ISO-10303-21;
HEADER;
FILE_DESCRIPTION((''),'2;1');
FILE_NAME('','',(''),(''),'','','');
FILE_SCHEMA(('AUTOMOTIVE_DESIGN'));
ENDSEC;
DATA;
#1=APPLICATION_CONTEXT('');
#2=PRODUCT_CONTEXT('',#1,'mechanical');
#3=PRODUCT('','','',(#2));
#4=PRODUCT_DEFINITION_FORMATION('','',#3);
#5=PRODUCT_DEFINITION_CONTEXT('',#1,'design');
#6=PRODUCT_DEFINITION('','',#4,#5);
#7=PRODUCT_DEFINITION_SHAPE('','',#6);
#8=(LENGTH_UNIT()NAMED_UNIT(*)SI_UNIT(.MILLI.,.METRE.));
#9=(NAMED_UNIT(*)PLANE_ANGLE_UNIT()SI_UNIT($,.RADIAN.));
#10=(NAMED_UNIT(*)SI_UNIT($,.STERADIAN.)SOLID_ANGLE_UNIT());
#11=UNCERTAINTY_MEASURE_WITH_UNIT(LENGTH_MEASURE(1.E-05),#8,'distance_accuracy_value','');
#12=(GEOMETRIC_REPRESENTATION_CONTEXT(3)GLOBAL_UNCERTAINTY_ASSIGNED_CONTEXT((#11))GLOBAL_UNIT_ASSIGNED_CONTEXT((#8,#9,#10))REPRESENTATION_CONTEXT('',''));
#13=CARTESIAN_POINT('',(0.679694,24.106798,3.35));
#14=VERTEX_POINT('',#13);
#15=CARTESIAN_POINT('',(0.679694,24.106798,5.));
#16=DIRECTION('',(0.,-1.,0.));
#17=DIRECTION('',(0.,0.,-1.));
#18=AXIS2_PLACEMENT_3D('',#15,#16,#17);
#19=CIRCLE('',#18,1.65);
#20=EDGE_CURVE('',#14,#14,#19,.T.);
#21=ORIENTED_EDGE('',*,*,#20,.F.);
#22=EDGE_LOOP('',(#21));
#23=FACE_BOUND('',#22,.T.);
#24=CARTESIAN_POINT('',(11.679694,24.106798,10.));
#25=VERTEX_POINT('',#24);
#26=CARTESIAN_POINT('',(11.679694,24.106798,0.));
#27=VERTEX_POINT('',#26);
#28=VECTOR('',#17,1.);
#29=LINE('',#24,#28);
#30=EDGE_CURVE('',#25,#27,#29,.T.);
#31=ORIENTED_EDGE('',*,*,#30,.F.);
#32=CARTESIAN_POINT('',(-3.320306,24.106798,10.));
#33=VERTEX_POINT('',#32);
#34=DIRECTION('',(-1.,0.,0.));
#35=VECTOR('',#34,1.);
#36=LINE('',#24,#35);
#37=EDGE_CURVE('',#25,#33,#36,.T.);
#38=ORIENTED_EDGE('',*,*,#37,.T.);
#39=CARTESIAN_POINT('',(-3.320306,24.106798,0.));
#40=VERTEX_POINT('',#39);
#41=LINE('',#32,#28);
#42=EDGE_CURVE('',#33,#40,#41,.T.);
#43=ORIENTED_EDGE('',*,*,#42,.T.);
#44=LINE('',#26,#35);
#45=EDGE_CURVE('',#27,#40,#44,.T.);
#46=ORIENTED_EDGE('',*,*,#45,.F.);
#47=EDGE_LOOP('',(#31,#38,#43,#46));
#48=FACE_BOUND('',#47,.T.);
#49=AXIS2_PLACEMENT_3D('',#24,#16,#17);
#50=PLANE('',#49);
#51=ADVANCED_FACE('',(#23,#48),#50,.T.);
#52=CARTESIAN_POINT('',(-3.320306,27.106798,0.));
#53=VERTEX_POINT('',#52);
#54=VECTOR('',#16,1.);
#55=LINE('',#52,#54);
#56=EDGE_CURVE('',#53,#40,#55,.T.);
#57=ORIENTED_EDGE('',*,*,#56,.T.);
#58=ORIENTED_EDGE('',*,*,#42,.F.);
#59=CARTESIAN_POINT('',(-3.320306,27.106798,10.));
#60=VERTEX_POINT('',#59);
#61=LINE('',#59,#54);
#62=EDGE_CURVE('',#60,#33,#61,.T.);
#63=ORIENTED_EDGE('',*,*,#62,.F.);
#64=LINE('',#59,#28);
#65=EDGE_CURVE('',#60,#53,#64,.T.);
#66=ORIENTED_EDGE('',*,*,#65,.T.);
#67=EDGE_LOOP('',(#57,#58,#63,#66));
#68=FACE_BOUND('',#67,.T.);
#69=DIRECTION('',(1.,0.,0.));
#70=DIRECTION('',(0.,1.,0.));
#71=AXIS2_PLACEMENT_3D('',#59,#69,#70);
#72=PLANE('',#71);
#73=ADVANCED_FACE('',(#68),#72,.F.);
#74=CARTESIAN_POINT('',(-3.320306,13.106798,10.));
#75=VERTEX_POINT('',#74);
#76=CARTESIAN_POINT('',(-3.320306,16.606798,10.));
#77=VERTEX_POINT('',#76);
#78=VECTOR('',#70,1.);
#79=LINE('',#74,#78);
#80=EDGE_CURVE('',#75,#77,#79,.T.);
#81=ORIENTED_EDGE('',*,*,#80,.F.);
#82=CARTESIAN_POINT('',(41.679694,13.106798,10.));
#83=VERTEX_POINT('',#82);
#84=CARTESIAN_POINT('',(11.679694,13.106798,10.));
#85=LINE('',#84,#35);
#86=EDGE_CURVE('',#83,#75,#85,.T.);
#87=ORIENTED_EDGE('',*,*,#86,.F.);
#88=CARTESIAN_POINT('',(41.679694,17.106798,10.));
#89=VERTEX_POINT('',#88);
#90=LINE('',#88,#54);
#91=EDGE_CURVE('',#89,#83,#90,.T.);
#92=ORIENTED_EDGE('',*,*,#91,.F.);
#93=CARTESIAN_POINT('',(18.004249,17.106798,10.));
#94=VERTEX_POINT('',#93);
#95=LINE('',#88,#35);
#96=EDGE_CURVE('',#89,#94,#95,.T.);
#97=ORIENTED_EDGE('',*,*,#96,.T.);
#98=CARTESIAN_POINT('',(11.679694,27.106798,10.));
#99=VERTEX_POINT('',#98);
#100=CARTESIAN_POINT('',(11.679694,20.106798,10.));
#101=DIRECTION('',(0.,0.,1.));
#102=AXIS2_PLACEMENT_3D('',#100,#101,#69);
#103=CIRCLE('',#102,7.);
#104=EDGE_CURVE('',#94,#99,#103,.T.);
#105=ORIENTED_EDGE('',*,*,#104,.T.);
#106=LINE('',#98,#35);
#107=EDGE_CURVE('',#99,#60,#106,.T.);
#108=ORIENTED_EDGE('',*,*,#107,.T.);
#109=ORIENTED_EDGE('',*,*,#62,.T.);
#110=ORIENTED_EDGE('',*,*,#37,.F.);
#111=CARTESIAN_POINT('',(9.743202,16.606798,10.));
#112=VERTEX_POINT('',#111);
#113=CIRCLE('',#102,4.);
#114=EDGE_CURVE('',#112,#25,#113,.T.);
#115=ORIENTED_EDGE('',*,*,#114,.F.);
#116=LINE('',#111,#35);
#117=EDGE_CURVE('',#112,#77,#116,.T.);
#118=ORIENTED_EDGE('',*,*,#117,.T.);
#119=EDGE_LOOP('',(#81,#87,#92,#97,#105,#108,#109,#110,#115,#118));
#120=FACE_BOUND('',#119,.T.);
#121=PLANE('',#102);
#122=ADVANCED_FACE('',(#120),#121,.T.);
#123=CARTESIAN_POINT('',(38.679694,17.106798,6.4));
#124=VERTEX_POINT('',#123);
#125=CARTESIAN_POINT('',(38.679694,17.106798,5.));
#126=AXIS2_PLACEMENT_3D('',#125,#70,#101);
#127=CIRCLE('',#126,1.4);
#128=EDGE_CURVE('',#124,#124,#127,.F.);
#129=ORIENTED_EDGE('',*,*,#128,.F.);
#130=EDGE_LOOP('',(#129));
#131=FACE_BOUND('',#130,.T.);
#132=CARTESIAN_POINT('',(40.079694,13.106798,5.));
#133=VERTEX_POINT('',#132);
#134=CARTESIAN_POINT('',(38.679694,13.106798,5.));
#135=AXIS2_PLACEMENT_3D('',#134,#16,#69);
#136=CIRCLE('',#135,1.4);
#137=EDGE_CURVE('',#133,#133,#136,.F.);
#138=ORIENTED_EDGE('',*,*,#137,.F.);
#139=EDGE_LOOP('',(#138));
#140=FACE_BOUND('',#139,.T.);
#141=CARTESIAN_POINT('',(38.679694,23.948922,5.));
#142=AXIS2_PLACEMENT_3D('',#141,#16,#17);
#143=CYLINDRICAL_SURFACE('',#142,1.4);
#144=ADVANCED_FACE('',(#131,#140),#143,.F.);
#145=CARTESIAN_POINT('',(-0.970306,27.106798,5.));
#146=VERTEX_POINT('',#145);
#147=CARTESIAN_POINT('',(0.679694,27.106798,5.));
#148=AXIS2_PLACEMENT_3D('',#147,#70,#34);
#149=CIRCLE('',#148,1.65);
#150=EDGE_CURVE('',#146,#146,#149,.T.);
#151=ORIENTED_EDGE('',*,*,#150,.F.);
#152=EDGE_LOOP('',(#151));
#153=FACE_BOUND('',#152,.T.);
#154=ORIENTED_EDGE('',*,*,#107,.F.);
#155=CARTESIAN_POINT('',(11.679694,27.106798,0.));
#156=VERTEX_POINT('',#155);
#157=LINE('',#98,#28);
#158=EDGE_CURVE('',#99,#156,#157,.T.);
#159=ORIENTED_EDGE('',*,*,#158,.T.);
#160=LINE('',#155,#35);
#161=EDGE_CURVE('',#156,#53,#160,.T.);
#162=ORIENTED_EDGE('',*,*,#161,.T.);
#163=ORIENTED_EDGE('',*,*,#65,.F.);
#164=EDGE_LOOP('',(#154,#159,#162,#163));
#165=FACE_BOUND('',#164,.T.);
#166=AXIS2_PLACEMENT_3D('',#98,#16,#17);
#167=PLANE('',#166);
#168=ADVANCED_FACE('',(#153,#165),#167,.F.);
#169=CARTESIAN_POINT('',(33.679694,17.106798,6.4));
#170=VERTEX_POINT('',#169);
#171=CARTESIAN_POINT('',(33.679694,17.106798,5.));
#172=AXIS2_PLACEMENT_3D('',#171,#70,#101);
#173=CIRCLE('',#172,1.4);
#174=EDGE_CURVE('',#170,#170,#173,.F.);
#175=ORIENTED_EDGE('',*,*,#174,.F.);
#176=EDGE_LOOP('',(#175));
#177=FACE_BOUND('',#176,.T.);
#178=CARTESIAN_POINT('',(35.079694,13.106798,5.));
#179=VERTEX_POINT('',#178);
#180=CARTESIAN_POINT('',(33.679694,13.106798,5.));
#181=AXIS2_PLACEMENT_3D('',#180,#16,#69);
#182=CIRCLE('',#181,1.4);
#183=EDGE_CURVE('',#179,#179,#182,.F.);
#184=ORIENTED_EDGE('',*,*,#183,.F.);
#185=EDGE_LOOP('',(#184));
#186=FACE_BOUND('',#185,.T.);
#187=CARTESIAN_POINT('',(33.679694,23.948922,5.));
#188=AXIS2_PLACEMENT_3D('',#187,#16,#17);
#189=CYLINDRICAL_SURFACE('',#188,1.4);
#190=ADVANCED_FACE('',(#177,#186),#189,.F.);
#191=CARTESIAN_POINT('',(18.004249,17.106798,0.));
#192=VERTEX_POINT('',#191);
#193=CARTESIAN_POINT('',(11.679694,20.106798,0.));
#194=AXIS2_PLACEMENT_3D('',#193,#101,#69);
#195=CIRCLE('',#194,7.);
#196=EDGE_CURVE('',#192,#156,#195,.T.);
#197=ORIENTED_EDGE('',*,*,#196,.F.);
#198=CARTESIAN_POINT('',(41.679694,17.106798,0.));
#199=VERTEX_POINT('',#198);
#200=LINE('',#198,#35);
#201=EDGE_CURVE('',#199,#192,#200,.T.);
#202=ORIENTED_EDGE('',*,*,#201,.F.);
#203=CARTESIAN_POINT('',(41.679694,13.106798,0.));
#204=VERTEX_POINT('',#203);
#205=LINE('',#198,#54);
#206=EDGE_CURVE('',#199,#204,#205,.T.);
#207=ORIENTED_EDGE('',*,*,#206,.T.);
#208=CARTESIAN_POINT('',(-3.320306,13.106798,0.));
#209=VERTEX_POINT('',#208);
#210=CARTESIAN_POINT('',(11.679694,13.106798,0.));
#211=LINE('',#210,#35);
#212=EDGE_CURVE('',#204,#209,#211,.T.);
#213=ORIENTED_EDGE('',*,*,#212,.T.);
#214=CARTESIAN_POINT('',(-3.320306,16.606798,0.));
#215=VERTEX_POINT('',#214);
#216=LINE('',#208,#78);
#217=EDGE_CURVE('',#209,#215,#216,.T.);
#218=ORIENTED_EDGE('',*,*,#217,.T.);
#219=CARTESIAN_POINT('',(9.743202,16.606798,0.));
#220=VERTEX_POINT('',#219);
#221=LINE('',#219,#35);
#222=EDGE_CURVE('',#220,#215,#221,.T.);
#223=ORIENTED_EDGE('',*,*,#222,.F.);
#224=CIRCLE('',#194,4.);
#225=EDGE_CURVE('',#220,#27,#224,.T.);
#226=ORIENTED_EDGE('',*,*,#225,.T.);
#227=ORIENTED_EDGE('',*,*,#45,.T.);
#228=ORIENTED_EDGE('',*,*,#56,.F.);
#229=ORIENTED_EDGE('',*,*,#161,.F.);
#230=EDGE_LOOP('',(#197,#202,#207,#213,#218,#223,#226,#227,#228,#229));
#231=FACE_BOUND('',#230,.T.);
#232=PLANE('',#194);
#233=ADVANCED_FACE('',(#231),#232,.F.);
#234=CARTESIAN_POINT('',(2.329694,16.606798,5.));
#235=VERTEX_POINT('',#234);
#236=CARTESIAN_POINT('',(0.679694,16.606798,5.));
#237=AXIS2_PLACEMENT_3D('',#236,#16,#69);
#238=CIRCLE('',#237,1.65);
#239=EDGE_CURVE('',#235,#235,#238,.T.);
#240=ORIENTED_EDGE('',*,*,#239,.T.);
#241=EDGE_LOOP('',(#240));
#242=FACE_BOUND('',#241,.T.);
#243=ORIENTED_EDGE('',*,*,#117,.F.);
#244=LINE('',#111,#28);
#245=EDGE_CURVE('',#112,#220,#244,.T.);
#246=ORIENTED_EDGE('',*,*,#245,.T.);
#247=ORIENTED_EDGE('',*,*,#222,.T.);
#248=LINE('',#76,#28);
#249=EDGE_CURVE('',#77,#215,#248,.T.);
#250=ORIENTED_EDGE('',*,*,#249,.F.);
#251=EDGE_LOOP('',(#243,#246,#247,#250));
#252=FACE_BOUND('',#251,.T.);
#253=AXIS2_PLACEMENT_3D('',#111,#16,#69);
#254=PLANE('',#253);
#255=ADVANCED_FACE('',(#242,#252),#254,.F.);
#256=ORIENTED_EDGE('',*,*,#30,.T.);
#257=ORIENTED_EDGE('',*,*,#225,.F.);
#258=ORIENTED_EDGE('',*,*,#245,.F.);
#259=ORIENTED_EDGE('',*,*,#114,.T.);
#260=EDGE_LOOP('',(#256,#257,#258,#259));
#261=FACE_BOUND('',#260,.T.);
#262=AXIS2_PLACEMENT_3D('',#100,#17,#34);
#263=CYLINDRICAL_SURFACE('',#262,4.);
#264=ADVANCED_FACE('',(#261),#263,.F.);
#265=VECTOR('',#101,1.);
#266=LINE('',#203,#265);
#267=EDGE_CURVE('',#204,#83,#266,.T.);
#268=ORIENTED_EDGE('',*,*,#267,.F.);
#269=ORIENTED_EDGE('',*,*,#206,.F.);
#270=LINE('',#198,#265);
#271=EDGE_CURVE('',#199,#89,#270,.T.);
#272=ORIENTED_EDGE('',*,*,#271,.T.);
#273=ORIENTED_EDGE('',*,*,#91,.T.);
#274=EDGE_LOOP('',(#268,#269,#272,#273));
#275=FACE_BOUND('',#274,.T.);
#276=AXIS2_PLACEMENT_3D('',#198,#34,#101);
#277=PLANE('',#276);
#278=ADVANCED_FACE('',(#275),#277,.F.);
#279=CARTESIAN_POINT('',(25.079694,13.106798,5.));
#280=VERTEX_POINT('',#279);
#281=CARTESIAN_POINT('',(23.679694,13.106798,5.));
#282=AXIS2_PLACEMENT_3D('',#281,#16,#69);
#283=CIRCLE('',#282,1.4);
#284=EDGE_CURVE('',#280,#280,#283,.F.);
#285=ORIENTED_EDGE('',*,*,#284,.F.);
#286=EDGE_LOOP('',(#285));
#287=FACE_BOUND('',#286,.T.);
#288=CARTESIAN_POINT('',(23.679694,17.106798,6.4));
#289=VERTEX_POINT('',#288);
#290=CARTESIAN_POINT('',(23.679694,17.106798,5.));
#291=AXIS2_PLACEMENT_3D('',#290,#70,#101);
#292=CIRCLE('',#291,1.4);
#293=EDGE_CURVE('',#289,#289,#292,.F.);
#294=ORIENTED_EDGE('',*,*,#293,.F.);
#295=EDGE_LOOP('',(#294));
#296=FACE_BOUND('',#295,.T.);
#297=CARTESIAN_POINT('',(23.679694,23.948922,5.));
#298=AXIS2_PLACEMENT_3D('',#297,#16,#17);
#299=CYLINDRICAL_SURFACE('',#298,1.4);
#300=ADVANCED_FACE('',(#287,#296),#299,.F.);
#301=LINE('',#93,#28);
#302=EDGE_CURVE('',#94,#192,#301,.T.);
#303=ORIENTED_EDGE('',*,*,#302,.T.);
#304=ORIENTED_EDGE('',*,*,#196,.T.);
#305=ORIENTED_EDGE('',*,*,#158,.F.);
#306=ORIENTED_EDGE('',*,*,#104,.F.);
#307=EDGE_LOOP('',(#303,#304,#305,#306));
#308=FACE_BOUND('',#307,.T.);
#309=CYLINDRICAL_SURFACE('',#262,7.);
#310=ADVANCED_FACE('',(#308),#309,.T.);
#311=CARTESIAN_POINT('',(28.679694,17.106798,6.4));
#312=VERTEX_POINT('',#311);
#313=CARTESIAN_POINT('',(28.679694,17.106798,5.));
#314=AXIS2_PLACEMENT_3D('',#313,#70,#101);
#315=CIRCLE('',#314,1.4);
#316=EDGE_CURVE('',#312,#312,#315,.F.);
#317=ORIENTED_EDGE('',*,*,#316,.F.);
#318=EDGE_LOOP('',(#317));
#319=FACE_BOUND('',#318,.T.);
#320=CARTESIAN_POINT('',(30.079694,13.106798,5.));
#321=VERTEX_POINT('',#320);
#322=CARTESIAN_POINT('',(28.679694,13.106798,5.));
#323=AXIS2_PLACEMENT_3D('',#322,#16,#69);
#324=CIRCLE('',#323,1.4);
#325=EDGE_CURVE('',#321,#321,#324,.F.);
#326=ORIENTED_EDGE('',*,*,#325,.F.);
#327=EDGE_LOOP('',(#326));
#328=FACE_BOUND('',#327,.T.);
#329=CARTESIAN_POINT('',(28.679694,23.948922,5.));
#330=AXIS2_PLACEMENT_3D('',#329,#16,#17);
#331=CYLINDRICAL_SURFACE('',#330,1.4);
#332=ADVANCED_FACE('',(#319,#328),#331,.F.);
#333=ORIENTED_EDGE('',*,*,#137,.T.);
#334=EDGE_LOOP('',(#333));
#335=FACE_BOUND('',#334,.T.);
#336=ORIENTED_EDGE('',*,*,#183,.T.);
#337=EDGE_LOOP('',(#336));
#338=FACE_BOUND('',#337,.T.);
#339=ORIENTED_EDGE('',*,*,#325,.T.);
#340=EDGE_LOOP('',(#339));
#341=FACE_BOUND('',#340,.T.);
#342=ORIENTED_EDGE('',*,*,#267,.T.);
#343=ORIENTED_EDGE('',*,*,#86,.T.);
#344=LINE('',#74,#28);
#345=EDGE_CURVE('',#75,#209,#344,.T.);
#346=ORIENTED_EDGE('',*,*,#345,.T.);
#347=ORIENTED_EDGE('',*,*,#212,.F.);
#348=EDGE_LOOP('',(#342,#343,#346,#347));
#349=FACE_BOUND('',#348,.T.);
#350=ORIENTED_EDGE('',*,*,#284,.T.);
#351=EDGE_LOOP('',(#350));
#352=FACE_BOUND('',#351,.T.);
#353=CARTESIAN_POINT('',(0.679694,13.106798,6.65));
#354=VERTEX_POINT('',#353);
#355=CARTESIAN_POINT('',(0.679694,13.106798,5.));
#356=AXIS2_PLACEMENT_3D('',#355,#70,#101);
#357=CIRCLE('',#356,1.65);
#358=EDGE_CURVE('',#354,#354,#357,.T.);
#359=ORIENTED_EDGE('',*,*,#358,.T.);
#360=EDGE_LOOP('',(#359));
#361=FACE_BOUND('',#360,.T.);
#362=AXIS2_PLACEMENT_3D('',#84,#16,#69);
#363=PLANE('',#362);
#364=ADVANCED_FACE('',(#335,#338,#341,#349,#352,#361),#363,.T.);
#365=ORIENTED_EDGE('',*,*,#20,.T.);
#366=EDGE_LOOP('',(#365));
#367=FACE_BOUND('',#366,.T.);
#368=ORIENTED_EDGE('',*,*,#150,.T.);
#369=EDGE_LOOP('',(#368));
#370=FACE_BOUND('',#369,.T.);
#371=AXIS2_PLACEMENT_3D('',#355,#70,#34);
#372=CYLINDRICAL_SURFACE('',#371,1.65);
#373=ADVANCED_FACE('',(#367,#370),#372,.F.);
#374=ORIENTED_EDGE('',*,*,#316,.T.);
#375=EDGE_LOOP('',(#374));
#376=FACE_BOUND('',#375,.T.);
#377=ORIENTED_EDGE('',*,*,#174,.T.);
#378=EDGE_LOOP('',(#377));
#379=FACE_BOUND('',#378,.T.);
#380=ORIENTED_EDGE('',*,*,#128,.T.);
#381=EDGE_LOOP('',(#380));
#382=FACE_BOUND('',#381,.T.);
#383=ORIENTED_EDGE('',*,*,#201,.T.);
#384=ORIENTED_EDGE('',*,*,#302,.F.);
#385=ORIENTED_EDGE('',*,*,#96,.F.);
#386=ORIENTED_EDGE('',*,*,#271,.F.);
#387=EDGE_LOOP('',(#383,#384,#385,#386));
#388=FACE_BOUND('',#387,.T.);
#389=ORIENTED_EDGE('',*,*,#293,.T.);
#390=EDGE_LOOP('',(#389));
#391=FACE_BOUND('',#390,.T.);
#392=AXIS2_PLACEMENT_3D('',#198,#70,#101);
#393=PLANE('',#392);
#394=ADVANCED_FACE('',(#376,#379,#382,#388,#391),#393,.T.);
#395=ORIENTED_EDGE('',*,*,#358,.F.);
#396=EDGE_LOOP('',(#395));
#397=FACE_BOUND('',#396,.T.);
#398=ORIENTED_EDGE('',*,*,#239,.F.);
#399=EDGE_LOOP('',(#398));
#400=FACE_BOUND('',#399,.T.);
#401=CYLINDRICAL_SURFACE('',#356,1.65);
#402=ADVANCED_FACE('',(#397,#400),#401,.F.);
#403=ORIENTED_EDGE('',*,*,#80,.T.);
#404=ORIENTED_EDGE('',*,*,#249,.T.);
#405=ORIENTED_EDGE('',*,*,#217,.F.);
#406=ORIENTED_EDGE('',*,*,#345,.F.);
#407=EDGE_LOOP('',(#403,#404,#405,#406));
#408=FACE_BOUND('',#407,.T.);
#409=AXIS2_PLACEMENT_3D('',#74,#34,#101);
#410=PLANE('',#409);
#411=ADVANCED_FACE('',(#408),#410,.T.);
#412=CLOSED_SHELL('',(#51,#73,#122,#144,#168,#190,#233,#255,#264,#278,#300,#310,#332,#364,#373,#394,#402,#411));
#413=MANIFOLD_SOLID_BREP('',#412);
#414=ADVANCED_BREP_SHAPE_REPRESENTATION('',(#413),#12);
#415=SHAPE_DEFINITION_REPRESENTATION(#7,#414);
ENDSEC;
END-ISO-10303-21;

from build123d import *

# Parameters (mm, degrees)
BOSS_EXTRUDE1_DEPTH     = 10
SKETCH2_R               = 1.65
CUT_EXTRUDE1_DEPTH      = 26.395491135
BOSS_EXTRUDE2_START     = -10
BOSS_EXTRUDE2_DEPTH     = 10
CUT_EXTRUDE3_DEPTH      = 10
CUT_EXTRUDE3_DEPTH_BACK = 10
SKETCH8_R               = 1.4
SKETCH9_R               = 1.65
CUT_EXTRUDE4_DEPTH      = 46.090984648


with BuildPart() as part:
    # Sketch1 → Boss-Extrude1 (new body)
    with BuildSketch(Plane.XY):
        with BuildLine():
            Line((11.679694055, 24.106798453), (-3.320305945, 24.106798453))
            Line((-3.320305945, 24.106798453), (-3.320305945, 27.106798453))
            Line((-3.320305945, 27.106798453), (11.679694055, 27.106798453))
            ThreePointArc((11.679694055, 27.106798453), (18.679694055, 20.106798453), (11.679694055, 13.106798453))
            Line((11.679694055, 13.106798453), (-3.320305945, 13.106798453))
            Line((-3.320305945, 13.106798453), (-3.320305945, 16.606798453))
            Line((-3.320305945, 16.606798453), (9.743202382, 16.606798453))
            ThreePointArc((9.743202382, 16.606798453), (15.552677401, 19.106798453), (11.679694055, 24.106798453))
        make_face()
    extrude(amount=BOSS_EXTRUDE1_DEPTH)

    # Sketch2 → Cut-Extrude1 (cut, through all)
    with BuildSketch(Plane(origin=(0, 27.106798453, 0), x_dir=(1, 0, 0), z_dir=(0, 1, 0))):
        with Locations(Location((0.679694055, -5, 0), (0, 0, 180))):
            Circle(SKETCH2_R)
    extrude(amount=-CUT_EXTRUDE1_DEPTH, mode=Mode.SUBTRACT)

    # Sketch5 → Boss-Extrude2 (add)
    with BuildSketch(Plane.XY.offset(10).offset(BOSS_EXTRUDE2_START)):
        with BuildLine():
            Line((41.679694055, 17.106798453), (14.325445366, 17.106798453))
            ThreePointArc((14.325445366, 17.106798453), (12.113586102, 16.130400875), (9.743202382, 16.606798453))
            Line((9.743202382, 16.606798453), (-3.320305945, 16.606798453))
            Line((-3.320305945, 16.606798453), (-3.320305945, 13.106798453))
            Line((-3.320305945, 13.106798453), (41.679694055, 13.106798453))
            Line((41.679694055, 13.106798453), (41.679694055, 17.106798453))
        make_face()
    extrude(amount=BOSS_EXTRUDE2_DEPTH)

    # Sketch8 → Cut-Extrude3 (cut, two sides: drawn at the far end of the back side and taken through both)
    with BuildSketch(Plane(origin=(0, 13.948922433, 0), x_dir=(1, 0, 0), z_dir=(0, 1, 0)).offset(-CUT_EXTRUDE3_DEPTH_BACK)):
        with Locations((28.679694055, -5)):
            Circle(SKETCH8_R)
        with Locations((38.679694055, -5)):
            Circle(SKETCH8_R)
        with Locations((23.679694055, -5)):
            Circle(SKETCH8_R)
        with Locations((33.679694055, -5)):
            Circle(SKETCH8_R)
    extrude(amount=CUT_EXTRUDE3_DEPTH + CUT_EXTRUDE3_DEPTH_BACK, mode=Mode.SUBTRACT)

    # Sketch9 → Cut-Extrude4 (cut, through all)
    with BuildSketch(Plane(origin=(0, 27.106798453, 0), x_dir=(1, 0, 0), z_dir=(0, 1, 0))):
        with Locations(Location((0.679694055, -5, 0), (0, 0, 180))):
            Circle(SKETCH9_R)
    extrude(amount=-CUT_EXTRUDE4_DEPTH, mode=Mode.SUBTRACT)


solid = part.part
